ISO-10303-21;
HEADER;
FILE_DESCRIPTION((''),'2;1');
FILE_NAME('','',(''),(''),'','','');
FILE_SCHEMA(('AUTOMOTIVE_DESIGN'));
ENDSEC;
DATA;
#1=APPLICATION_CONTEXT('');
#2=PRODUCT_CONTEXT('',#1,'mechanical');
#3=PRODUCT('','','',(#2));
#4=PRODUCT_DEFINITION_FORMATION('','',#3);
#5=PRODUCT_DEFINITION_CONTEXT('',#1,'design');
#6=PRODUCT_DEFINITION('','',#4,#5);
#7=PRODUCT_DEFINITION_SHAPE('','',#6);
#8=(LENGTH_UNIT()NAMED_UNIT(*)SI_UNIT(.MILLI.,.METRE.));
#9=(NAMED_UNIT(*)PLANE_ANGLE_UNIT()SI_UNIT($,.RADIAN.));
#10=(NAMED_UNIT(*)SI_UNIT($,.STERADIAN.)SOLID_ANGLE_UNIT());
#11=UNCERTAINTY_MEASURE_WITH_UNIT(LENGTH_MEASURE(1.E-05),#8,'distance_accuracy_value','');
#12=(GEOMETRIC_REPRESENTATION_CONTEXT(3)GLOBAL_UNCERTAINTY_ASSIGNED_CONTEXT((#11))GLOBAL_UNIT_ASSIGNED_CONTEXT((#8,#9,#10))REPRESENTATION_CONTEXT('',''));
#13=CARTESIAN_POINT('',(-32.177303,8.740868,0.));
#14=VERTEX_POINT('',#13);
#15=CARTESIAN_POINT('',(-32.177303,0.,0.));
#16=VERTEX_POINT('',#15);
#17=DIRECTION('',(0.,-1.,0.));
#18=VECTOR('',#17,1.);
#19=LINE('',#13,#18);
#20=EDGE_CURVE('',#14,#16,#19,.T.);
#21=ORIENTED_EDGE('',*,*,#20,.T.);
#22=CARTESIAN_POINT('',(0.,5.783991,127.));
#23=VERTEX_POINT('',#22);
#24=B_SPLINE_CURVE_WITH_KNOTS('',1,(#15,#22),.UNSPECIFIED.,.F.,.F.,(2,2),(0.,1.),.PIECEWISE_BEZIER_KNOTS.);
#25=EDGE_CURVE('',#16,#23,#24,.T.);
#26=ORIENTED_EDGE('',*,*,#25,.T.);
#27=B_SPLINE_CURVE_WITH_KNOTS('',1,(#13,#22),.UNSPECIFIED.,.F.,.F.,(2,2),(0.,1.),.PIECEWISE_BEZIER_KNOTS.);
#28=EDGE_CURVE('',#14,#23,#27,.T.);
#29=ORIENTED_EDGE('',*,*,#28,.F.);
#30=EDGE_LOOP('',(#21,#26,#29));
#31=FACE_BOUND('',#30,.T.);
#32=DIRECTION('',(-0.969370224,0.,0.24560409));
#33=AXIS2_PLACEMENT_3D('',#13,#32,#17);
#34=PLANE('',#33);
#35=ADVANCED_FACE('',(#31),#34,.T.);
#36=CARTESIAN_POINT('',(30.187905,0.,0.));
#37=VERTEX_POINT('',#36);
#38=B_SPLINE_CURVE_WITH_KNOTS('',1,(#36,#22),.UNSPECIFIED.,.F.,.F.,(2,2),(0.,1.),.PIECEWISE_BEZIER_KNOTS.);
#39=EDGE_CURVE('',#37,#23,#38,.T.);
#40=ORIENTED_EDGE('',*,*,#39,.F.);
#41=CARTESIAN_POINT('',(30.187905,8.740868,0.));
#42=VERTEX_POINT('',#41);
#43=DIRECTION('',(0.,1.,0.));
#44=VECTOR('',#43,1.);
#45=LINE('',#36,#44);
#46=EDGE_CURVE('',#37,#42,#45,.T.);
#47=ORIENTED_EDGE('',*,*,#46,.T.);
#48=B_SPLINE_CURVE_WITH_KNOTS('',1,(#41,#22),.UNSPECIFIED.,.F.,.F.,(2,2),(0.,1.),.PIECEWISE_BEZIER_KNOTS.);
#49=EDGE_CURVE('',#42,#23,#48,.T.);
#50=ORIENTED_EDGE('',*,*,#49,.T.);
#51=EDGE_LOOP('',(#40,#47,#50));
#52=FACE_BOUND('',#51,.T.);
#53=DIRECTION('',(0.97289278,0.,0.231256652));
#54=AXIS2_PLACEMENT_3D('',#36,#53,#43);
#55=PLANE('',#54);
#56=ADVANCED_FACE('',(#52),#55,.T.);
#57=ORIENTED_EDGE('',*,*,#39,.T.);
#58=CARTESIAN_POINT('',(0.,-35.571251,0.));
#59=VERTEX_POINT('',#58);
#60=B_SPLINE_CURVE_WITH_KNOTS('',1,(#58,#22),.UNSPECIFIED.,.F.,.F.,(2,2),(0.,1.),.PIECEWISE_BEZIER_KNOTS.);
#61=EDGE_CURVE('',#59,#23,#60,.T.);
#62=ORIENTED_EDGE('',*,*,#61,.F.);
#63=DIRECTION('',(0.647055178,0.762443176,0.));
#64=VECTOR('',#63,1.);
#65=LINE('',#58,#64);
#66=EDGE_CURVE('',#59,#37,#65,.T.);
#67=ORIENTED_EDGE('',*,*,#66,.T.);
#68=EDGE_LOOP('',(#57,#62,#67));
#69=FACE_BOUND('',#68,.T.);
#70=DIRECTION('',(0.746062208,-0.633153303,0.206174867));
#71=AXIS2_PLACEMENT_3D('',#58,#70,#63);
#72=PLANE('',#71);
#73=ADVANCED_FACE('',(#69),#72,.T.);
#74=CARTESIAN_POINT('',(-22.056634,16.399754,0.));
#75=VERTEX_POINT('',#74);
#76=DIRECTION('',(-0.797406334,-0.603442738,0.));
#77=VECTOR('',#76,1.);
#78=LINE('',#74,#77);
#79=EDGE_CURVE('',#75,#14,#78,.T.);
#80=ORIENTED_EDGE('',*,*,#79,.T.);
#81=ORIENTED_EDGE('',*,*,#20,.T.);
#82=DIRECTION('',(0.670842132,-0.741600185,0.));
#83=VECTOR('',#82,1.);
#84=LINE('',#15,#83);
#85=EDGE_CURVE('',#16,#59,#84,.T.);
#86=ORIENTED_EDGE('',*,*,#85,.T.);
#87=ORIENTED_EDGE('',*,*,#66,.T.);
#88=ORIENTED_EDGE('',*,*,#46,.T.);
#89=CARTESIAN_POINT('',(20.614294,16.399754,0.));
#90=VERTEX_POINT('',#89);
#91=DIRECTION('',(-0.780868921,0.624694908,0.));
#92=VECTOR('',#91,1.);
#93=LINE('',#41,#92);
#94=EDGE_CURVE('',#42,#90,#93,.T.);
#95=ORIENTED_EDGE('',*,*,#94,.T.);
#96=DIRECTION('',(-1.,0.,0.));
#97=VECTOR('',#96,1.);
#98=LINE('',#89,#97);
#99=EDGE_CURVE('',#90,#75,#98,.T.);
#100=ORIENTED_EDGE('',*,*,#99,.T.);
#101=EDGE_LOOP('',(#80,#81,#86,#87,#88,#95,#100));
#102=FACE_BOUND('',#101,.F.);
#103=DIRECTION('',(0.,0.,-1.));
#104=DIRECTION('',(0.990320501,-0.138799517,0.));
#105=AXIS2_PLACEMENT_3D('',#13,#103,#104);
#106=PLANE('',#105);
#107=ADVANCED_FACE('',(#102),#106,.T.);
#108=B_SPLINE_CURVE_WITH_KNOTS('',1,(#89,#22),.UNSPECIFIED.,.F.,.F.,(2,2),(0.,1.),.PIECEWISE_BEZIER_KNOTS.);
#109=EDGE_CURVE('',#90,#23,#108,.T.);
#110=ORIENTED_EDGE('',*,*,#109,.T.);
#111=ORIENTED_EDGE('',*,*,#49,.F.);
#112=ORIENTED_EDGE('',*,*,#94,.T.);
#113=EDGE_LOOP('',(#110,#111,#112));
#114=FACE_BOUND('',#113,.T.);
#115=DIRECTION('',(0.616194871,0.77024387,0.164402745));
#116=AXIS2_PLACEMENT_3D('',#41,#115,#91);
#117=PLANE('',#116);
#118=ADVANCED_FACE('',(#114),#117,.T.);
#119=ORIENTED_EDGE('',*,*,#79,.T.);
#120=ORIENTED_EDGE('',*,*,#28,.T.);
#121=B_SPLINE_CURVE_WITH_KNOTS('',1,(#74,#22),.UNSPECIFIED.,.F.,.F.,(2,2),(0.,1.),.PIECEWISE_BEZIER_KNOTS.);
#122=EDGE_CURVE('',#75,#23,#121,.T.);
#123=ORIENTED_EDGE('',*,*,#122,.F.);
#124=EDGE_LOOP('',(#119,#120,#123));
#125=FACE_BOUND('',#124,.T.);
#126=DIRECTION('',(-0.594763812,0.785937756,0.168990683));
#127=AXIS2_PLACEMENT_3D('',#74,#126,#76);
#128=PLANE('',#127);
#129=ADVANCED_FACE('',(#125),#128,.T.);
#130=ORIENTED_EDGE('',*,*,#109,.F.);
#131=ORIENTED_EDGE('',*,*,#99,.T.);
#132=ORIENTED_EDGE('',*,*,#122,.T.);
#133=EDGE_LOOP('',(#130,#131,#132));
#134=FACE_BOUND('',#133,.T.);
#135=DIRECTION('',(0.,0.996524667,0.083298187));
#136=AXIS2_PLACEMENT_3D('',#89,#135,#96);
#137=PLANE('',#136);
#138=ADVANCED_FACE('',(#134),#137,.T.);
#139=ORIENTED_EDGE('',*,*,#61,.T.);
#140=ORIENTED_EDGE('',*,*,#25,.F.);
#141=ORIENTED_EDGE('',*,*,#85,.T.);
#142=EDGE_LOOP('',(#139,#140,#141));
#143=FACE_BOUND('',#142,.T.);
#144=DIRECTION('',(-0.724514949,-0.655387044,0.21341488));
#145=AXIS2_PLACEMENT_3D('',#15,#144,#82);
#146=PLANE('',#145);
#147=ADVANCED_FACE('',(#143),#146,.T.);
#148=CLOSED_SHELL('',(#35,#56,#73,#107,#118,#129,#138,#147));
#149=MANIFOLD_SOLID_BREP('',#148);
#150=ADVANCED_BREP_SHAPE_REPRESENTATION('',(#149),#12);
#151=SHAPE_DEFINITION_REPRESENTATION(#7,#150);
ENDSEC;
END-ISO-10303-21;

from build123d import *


with BuildPart() as f3:
    # F0 (on Top) → F3 section 0
    with BuildSketch(Plane.XY, mode=Mode.PRIVATE) as f3_s0:
        Polygon((-32.177303, 8.740868), (-32.177303, 0), (0, -35.571251), (30.187905, 0), (30.187905, 8.740868), (20.614294, 16.399754), (-22.056634, 16.399754), align=None)
    loft([f3_s0.sketch, Vertex(0, 5.783991, 127)])


solid = f3.part
